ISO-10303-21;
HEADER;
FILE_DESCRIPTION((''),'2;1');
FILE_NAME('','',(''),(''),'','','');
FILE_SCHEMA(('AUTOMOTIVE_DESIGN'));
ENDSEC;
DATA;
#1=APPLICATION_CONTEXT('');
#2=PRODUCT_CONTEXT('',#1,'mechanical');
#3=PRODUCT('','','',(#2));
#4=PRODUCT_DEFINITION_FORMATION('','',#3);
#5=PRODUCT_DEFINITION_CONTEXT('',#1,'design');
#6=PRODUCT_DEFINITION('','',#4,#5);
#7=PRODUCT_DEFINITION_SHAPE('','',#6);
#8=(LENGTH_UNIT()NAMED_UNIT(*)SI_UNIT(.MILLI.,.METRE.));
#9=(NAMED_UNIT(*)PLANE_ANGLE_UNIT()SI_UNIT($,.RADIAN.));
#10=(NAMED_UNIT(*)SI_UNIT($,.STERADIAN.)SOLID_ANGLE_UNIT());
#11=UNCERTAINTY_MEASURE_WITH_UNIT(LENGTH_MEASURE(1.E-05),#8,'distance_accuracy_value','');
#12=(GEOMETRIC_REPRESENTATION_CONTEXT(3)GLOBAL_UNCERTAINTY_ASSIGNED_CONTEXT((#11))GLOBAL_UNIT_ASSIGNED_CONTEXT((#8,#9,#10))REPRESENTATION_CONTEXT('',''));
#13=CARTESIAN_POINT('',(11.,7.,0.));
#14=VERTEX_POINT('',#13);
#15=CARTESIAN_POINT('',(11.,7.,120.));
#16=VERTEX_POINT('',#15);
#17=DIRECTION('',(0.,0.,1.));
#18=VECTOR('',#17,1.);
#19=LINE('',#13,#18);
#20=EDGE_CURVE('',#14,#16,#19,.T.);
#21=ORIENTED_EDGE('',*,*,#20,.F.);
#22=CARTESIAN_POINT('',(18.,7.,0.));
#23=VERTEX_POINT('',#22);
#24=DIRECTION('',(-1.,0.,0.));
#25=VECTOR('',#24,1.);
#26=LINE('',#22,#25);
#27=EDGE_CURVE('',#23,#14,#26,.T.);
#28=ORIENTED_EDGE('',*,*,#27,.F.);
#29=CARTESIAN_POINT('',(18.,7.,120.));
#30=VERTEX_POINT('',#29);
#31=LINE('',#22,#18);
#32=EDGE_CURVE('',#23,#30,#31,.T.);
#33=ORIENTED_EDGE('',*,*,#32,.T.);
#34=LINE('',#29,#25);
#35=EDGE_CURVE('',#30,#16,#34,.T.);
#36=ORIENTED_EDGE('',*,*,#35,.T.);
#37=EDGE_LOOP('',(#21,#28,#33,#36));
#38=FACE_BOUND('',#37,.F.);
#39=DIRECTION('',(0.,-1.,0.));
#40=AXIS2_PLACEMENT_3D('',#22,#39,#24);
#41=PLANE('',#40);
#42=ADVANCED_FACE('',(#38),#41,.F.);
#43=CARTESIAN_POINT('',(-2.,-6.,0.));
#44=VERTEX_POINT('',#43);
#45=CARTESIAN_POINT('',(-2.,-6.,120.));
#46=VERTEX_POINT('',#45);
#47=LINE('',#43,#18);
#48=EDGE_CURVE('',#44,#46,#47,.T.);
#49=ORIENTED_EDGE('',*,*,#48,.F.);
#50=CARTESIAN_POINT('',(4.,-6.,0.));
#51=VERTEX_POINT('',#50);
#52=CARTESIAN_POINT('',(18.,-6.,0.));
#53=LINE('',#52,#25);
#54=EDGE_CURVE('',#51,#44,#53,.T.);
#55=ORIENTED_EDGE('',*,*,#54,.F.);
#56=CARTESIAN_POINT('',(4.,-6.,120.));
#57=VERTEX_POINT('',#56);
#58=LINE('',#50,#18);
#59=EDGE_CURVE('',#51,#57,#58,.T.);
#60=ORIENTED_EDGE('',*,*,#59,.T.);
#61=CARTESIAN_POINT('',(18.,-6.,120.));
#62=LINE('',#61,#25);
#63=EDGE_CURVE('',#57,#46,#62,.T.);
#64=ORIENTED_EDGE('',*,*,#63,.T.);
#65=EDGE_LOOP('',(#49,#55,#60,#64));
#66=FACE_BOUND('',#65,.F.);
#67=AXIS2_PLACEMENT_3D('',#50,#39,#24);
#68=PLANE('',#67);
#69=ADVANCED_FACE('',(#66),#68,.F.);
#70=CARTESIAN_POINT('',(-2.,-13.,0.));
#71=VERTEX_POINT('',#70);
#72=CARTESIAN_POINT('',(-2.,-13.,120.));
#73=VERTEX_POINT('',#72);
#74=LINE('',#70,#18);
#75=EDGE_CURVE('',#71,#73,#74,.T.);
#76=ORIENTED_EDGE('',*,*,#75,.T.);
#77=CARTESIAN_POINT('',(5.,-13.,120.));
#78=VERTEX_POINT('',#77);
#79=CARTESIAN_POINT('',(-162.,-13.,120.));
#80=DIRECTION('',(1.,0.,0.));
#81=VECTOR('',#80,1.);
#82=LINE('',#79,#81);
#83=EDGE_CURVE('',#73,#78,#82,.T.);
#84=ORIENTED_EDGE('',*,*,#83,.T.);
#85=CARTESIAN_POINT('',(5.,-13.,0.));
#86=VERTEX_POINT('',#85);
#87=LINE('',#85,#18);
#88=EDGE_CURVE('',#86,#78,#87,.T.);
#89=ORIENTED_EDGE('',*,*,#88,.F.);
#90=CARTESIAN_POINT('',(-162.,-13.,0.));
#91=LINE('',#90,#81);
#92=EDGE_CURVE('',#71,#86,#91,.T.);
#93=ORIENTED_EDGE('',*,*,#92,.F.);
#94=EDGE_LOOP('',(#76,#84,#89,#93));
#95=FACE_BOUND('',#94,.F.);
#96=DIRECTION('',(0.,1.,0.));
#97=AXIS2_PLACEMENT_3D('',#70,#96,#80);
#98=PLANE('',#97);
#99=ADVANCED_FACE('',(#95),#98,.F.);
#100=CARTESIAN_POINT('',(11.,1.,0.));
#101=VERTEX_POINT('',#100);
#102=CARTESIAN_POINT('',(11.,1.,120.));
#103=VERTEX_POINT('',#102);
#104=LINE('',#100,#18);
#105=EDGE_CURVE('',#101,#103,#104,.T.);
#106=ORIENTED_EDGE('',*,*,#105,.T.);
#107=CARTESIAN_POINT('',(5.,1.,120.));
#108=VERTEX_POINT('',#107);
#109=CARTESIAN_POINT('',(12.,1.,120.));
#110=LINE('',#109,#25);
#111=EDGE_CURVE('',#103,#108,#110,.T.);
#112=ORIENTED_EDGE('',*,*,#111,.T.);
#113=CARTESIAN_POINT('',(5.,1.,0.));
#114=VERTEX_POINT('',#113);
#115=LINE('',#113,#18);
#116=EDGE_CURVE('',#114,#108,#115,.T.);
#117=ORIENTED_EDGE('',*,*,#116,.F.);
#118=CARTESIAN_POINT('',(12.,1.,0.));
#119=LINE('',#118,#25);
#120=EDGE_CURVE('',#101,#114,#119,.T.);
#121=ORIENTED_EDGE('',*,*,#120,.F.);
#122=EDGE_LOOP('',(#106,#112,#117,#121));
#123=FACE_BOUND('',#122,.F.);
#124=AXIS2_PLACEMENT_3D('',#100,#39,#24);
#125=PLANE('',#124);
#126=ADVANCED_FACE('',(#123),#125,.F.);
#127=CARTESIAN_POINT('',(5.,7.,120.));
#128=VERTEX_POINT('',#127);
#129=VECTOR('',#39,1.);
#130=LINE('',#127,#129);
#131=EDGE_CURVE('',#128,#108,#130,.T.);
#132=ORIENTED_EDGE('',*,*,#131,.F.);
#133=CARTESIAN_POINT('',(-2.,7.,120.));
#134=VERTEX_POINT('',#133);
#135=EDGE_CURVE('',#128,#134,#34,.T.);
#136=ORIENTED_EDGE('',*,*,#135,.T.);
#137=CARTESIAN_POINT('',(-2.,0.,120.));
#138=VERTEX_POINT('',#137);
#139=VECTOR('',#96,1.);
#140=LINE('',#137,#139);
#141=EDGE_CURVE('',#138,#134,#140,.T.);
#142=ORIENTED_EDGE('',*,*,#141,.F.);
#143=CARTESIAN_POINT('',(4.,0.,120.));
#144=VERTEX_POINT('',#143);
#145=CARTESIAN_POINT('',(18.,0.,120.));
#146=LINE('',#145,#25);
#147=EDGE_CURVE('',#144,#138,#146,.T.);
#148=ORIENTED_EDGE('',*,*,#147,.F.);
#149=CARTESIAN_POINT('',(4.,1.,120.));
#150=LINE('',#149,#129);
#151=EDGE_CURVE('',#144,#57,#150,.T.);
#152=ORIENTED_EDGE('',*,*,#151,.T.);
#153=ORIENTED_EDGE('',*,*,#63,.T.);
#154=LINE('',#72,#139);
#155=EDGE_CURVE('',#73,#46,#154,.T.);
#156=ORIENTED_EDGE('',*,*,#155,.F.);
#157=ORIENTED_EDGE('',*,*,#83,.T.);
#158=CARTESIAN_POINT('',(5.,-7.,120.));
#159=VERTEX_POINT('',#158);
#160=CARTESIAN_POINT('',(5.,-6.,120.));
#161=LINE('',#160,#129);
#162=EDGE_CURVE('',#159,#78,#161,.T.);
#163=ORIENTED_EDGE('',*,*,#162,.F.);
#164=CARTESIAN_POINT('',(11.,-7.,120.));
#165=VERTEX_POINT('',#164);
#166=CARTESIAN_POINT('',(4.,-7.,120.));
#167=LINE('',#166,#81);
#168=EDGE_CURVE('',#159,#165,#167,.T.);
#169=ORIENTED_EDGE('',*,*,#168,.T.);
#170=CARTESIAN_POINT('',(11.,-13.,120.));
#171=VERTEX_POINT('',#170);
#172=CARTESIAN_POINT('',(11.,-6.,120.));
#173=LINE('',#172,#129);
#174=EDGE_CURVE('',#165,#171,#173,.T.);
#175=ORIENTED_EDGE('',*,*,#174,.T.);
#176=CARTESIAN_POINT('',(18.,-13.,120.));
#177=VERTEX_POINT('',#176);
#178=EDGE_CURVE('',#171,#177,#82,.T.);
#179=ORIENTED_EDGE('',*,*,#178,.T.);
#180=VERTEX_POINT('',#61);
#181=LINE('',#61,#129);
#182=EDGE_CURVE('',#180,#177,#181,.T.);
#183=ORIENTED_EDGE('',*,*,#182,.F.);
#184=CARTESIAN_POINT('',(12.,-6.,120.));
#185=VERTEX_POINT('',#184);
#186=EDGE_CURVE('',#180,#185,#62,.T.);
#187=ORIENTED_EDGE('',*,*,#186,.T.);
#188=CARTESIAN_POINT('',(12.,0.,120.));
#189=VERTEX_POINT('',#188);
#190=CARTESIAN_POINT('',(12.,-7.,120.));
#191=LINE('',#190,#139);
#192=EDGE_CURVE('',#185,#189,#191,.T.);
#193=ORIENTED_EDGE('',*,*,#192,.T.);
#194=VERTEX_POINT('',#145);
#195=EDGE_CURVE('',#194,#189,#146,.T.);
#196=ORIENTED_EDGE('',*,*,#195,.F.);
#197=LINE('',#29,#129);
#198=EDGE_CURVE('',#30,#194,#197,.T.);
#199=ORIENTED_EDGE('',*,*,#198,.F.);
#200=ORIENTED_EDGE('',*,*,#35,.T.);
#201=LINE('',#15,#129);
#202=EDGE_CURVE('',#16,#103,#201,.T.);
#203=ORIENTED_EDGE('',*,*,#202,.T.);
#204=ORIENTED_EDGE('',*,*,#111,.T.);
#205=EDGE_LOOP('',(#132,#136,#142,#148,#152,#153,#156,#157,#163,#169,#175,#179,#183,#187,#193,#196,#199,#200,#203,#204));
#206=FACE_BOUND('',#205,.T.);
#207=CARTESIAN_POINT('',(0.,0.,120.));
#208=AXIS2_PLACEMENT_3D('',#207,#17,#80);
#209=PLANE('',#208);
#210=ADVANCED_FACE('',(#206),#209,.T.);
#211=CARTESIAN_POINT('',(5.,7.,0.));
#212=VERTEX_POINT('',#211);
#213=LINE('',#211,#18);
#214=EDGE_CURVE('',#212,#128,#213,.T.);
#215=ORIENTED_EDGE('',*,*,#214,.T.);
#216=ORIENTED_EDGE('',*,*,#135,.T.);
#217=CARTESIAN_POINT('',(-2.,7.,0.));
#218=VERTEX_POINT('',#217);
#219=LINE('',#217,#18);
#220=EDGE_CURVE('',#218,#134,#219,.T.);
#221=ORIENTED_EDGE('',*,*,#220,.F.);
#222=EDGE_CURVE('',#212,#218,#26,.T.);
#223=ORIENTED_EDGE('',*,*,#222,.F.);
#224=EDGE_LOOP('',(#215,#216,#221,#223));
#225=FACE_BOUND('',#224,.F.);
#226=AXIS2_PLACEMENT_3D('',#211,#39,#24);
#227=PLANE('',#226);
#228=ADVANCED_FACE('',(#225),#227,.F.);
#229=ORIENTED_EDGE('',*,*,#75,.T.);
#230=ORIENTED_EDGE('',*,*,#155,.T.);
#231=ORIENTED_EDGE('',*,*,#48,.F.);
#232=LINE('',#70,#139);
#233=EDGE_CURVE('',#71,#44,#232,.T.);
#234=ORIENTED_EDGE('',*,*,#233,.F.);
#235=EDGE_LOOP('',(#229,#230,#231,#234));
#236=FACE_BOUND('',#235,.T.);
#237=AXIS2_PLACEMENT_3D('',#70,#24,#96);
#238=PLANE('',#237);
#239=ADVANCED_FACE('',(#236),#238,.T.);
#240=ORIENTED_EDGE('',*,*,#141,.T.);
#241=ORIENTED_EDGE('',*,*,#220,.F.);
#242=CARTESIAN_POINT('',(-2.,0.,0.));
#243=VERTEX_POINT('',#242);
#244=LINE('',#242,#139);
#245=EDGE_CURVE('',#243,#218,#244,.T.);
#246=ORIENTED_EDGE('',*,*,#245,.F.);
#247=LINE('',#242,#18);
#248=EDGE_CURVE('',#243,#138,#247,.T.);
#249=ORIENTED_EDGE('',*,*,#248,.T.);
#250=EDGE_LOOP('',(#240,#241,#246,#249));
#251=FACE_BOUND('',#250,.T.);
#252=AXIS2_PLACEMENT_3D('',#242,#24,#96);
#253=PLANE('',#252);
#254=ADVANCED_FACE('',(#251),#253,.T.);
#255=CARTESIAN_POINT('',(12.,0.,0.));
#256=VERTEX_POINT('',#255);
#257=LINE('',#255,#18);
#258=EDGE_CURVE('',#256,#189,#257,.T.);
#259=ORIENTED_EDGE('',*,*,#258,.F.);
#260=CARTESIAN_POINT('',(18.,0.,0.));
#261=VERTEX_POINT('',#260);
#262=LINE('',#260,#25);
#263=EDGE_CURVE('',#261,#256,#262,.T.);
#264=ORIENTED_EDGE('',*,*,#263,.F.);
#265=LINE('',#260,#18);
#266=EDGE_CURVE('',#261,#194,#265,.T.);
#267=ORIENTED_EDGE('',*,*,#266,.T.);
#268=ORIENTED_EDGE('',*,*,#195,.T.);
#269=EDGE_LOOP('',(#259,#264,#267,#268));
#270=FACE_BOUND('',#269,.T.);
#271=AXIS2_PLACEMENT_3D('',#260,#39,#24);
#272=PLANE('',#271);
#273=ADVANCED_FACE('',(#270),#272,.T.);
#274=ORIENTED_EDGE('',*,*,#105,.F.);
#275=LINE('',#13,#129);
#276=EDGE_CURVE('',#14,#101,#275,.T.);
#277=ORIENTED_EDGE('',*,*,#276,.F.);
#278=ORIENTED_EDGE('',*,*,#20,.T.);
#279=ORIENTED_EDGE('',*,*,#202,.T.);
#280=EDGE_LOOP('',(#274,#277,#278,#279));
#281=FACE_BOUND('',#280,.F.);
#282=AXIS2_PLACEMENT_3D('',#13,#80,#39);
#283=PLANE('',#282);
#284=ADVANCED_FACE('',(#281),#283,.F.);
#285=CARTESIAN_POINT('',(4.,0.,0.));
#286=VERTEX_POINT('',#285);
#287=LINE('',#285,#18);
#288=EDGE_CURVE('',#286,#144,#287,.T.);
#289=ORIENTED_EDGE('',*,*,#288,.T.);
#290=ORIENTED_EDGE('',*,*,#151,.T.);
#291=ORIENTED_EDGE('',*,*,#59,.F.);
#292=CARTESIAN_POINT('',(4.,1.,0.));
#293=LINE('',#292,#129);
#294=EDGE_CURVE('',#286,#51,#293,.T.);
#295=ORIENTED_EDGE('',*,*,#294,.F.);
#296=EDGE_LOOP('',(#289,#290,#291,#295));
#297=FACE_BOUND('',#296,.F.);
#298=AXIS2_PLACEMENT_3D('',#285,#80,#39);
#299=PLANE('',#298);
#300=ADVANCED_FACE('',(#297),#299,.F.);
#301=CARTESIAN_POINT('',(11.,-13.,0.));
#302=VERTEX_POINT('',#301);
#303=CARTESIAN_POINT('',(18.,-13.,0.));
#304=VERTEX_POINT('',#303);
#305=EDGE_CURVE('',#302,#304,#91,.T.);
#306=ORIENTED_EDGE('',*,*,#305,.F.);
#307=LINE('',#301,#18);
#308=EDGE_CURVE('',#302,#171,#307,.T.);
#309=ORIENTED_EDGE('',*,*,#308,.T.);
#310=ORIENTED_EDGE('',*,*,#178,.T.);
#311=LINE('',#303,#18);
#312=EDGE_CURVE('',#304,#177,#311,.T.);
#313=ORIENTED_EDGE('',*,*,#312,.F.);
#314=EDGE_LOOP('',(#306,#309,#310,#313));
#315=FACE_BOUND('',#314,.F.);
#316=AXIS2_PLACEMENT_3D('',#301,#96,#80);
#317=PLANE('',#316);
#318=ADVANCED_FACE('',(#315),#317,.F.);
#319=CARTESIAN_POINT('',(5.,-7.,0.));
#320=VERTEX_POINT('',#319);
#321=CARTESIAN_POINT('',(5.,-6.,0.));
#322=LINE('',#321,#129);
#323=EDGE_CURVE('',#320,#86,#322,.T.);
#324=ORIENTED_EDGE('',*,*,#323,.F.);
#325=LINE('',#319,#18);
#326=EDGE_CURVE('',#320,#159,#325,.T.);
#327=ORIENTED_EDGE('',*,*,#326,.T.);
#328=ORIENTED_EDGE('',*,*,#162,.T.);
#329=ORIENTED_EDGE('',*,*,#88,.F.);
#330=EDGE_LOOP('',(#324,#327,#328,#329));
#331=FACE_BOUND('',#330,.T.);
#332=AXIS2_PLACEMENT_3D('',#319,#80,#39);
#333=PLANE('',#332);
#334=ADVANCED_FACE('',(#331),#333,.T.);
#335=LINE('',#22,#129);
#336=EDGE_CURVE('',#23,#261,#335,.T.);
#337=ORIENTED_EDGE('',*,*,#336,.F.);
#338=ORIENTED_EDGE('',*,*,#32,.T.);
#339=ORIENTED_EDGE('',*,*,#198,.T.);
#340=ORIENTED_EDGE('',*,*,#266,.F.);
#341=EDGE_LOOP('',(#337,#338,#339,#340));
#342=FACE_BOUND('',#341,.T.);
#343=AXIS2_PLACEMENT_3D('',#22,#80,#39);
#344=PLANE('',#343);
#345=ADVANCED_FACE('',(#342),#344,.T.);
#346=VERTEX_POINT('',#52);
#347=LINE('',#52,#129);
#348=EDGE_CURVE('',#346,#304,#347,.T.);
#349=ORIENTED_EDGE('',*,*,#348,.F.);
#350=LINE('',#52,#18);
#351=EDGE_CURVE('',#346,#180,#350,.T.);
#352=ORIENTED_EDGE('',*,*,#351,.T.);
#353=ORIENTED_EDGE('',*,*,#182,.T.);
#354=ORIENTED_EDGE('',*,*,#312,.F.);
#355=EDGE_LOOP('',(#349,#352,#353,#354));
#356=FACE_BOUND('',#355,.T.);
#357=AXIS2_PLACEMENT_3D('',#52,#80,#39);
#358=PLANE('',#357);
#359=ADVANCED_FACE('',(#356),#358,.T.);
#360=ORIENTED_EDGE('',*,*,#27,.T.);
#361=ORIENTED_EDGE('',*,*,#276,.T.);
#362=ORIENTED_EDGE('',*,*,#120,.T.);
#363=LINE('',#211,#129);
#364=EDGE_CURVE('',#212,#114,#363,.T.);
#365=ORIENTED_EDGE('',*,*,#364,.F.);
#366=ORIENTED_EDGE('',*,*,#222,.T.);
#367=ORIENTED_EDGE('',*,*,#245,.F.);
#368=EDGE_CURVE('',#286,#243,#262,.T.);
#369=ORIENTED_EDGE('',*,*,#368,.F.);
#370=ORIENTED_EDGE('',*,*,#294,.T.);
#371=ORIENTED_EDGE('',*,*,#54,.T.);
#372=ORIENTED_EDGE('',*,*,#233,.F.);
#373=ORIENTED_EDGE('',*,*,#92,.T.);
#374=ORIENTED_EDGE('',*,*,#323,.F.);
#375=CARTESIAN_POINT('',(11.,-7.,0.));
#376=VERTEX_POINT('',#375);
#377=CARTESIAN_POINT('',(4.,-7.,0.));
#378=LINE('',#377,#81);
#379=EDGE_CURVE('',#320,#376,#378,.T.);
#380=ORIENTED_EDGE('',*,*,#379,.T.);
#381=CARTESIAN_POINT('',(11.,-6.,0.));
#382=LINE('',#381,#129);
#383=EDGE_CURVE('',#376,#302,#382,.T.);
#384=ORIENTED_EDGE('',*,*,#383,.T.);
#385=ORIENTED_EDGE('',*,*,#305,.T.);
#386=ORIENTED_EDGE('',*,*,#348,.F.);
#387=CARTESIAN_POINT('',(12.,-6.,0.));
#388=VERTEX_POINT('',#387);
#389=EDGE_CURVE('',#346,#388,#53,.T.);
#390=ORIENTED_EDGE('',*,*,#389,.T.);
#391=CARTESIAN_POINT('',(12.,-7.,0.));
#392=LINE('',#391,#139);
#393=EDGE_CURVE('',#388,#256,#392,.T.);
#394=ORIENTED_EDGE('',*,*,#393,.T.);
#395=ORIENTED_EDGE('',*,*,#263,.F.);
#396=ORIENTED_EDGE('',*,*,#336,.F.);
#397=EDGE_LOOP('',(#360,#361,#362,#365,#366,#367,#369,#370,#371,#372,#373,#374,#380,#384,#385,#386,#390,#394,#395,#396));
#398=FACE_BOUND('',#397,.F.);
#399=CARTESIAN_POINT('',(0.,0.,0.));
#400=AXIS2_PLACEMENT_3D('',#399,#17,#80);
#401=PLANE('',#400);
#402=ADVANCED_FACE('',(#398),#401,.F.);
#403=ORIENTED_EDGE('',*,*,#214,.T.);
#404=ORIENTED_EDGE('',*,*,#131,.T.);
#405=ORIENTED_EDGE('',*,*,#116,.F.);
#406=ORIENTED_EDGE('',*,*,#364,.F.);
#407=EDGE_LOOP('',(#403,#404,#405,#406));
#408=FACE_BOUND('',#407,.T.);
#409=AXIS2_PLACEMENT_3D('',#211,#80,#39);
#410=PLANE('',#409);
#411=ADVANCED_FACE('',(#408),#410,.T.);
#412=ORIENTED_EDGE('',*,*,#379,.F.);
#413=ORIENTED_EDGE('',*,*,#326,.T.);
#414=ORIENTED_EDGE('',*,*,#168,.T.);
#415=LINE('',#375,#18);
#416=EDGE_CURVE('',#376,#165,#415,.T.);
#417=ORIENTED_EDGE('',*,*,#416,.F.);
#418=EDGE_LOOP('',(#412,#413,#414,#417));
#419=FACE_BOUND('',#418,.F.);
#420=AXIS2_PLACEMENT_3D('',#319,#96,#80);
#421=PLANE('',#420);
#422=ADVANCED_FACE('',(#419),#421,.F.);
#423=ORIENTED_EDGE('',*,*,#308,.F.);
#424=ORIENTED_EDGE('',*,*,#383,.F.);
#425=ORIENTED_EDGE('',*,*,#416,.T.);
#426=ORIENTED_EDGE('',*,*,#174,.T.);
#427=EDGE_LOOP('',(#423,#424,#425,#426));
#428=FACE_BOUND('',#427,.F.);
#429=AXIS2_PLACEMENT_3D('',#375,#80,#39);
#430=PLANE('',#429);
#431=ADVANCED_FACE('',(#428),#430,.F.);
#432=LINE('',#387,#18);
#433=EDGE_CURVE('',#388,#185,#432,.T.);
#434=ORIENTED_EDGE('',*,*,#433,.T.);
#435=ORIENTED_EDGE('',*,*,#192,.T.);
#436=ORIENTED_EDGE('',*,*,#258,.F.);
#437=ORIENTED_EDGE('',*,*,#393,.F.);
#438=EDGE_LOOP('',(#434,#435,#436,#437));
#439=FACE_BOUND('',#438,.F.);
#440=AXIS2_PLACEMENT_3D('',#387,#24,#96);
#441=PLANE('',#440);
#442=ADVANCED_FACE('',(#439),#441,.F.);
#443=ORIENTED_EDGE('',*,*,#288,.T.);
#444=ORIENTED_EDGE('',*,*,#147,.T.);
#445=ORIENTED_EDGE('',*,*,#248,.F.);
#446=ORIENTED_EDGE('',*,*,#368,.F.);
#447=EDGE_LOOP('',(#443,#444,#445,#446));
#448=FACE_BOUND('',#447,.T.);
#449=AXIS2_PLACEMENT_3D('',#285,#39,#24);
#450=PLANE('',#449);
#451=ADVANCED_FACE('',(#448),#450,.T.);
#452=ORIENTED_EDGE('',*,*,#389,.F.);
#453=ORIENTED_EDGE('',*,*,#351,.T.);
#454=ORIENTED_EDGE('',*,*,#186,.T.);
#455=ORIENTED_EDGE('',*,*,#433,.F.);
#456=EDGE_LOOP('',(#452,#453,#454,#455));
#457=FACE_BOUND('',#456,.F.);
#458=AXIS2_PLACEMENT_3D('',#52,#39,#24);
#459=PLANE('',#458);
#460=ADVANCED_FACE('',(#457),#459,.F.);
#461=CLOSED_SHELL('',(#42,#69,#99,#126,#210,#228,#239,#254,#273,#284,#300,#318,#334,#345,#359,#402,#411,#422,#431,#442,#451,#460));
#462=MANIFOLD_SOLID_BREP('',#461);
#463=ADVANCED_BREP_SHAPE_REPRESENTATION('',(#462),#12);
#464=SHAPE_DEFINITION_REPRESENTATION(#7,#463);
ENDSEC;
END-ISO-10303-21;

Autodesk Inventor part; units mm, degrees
ref_plane "YZ Plane" through (0, 0, 0) normal (1, 0, 0) x (0, 1, 0)
ref_plane "XZ Plane" through (0, 0, 0) normal (0, 1, 0) x (-1, 0, 0)
ref_plane "XY Plane" through (0, 0, 0) normal (0, 0, 1) x (1, 0, 0)
sketch "Sketch1" plane through (0, 0, 0) normal (0, 0, 1) x (1, 0, 0)
  line L0 (18, 7) -> (-162, 7) projected
  line L1 (-162, 0) -> (-162, 7) projected
  line L2 (18, 0) -> (-162, 0) projected
  line L3 (18, 7) -> (18, 0) projected
  line L4 (18, -6) -> (-162, -6) projected
  line L5 (-162, -13) -> (-162, -6) projected
  line L6 (-162, -13) -> (18, -13) projected
  line L7 (18, -6) -> (18, -13) projected
  line L8 (18, 0) -> (18, -6) projected
  line L9 (18, 7) -> (11, 7)
  line L10 (11, 7) -> (11, 0)
  line L11 (11, 0) -> (18, 0)
  line L12 (18, 0) -> (18, 7)
  line L13 (18, -6) -> (11, -6)
  line L14 (11, -6) -> (11, -13)
  line L15 (11, -13) -> (18, -13)
  line L16 (18, -13) -> (18, -6)
  line L17 (5, -13) -> (-2, -13)
  line L18 (-2, -13) -> (-2, -6)
  line L19 (-2, -6) -> (5, -6)
  line L20 (5, -6) -> (5, -13)
  line L21 (5, 0) -> (-2, 0)
  line L22 (-2, 0) -> (-2, 7)
  line L23 (-2, 7) -> (5, 7)
  line L24 (5, 7) -> (5, 0)
  line L25 (12, 1) -> (4, 1)
  line L26 (4, 1) -> (4, -7)
  line L27 (4, -7) -> (12, -7)
  line L28 (12, -7) -> (12, 1)
  point P0 (0, 0)
  point P1 (12, 0)
  point P2 (11, 1)
  point P3 (5, 1)
  point P4 (-2, 0)
  point P5 (4, 0)
  point P6 (4, -6)
  point P7 (-2, -13)
  point P8 (5, -7)
  point P9 (11, -7)
  point P10 (12, -6)
  dimension "d0" = 7
  dimension "d1" = 7
  dimension "d2" = 7
  dimension "d3" = 7
  dimension "d4" = 7
  dimension "d5" = 7
  dimension "d6" = 7
  dimension "d7" = 7
  dimension "d8" = 6
  dimension "d9" = 8
  dimension "d10" = 8
  dimension "d11" = 1
  dimension "d12" = 1
extrude "Extrusion1" add sketch "Sketch1" along normal blind 120 contours L3 L2 L28 L25 L10 L0 | L24 L25 L26 L2 L22 L0 | L25 L28 L2 L10 | L10 L2 L24 L25 | L28 L4 L26 L2 | L7 L6 L14 L27 L28 L4 | L24 L2 L26 L25 | L28 L27 L14 L4 | L14 L27 L20 L4 | L20 L27 L26 L4 | L6 L18 L4 L26 L27 L20
properties part number "zbar"
